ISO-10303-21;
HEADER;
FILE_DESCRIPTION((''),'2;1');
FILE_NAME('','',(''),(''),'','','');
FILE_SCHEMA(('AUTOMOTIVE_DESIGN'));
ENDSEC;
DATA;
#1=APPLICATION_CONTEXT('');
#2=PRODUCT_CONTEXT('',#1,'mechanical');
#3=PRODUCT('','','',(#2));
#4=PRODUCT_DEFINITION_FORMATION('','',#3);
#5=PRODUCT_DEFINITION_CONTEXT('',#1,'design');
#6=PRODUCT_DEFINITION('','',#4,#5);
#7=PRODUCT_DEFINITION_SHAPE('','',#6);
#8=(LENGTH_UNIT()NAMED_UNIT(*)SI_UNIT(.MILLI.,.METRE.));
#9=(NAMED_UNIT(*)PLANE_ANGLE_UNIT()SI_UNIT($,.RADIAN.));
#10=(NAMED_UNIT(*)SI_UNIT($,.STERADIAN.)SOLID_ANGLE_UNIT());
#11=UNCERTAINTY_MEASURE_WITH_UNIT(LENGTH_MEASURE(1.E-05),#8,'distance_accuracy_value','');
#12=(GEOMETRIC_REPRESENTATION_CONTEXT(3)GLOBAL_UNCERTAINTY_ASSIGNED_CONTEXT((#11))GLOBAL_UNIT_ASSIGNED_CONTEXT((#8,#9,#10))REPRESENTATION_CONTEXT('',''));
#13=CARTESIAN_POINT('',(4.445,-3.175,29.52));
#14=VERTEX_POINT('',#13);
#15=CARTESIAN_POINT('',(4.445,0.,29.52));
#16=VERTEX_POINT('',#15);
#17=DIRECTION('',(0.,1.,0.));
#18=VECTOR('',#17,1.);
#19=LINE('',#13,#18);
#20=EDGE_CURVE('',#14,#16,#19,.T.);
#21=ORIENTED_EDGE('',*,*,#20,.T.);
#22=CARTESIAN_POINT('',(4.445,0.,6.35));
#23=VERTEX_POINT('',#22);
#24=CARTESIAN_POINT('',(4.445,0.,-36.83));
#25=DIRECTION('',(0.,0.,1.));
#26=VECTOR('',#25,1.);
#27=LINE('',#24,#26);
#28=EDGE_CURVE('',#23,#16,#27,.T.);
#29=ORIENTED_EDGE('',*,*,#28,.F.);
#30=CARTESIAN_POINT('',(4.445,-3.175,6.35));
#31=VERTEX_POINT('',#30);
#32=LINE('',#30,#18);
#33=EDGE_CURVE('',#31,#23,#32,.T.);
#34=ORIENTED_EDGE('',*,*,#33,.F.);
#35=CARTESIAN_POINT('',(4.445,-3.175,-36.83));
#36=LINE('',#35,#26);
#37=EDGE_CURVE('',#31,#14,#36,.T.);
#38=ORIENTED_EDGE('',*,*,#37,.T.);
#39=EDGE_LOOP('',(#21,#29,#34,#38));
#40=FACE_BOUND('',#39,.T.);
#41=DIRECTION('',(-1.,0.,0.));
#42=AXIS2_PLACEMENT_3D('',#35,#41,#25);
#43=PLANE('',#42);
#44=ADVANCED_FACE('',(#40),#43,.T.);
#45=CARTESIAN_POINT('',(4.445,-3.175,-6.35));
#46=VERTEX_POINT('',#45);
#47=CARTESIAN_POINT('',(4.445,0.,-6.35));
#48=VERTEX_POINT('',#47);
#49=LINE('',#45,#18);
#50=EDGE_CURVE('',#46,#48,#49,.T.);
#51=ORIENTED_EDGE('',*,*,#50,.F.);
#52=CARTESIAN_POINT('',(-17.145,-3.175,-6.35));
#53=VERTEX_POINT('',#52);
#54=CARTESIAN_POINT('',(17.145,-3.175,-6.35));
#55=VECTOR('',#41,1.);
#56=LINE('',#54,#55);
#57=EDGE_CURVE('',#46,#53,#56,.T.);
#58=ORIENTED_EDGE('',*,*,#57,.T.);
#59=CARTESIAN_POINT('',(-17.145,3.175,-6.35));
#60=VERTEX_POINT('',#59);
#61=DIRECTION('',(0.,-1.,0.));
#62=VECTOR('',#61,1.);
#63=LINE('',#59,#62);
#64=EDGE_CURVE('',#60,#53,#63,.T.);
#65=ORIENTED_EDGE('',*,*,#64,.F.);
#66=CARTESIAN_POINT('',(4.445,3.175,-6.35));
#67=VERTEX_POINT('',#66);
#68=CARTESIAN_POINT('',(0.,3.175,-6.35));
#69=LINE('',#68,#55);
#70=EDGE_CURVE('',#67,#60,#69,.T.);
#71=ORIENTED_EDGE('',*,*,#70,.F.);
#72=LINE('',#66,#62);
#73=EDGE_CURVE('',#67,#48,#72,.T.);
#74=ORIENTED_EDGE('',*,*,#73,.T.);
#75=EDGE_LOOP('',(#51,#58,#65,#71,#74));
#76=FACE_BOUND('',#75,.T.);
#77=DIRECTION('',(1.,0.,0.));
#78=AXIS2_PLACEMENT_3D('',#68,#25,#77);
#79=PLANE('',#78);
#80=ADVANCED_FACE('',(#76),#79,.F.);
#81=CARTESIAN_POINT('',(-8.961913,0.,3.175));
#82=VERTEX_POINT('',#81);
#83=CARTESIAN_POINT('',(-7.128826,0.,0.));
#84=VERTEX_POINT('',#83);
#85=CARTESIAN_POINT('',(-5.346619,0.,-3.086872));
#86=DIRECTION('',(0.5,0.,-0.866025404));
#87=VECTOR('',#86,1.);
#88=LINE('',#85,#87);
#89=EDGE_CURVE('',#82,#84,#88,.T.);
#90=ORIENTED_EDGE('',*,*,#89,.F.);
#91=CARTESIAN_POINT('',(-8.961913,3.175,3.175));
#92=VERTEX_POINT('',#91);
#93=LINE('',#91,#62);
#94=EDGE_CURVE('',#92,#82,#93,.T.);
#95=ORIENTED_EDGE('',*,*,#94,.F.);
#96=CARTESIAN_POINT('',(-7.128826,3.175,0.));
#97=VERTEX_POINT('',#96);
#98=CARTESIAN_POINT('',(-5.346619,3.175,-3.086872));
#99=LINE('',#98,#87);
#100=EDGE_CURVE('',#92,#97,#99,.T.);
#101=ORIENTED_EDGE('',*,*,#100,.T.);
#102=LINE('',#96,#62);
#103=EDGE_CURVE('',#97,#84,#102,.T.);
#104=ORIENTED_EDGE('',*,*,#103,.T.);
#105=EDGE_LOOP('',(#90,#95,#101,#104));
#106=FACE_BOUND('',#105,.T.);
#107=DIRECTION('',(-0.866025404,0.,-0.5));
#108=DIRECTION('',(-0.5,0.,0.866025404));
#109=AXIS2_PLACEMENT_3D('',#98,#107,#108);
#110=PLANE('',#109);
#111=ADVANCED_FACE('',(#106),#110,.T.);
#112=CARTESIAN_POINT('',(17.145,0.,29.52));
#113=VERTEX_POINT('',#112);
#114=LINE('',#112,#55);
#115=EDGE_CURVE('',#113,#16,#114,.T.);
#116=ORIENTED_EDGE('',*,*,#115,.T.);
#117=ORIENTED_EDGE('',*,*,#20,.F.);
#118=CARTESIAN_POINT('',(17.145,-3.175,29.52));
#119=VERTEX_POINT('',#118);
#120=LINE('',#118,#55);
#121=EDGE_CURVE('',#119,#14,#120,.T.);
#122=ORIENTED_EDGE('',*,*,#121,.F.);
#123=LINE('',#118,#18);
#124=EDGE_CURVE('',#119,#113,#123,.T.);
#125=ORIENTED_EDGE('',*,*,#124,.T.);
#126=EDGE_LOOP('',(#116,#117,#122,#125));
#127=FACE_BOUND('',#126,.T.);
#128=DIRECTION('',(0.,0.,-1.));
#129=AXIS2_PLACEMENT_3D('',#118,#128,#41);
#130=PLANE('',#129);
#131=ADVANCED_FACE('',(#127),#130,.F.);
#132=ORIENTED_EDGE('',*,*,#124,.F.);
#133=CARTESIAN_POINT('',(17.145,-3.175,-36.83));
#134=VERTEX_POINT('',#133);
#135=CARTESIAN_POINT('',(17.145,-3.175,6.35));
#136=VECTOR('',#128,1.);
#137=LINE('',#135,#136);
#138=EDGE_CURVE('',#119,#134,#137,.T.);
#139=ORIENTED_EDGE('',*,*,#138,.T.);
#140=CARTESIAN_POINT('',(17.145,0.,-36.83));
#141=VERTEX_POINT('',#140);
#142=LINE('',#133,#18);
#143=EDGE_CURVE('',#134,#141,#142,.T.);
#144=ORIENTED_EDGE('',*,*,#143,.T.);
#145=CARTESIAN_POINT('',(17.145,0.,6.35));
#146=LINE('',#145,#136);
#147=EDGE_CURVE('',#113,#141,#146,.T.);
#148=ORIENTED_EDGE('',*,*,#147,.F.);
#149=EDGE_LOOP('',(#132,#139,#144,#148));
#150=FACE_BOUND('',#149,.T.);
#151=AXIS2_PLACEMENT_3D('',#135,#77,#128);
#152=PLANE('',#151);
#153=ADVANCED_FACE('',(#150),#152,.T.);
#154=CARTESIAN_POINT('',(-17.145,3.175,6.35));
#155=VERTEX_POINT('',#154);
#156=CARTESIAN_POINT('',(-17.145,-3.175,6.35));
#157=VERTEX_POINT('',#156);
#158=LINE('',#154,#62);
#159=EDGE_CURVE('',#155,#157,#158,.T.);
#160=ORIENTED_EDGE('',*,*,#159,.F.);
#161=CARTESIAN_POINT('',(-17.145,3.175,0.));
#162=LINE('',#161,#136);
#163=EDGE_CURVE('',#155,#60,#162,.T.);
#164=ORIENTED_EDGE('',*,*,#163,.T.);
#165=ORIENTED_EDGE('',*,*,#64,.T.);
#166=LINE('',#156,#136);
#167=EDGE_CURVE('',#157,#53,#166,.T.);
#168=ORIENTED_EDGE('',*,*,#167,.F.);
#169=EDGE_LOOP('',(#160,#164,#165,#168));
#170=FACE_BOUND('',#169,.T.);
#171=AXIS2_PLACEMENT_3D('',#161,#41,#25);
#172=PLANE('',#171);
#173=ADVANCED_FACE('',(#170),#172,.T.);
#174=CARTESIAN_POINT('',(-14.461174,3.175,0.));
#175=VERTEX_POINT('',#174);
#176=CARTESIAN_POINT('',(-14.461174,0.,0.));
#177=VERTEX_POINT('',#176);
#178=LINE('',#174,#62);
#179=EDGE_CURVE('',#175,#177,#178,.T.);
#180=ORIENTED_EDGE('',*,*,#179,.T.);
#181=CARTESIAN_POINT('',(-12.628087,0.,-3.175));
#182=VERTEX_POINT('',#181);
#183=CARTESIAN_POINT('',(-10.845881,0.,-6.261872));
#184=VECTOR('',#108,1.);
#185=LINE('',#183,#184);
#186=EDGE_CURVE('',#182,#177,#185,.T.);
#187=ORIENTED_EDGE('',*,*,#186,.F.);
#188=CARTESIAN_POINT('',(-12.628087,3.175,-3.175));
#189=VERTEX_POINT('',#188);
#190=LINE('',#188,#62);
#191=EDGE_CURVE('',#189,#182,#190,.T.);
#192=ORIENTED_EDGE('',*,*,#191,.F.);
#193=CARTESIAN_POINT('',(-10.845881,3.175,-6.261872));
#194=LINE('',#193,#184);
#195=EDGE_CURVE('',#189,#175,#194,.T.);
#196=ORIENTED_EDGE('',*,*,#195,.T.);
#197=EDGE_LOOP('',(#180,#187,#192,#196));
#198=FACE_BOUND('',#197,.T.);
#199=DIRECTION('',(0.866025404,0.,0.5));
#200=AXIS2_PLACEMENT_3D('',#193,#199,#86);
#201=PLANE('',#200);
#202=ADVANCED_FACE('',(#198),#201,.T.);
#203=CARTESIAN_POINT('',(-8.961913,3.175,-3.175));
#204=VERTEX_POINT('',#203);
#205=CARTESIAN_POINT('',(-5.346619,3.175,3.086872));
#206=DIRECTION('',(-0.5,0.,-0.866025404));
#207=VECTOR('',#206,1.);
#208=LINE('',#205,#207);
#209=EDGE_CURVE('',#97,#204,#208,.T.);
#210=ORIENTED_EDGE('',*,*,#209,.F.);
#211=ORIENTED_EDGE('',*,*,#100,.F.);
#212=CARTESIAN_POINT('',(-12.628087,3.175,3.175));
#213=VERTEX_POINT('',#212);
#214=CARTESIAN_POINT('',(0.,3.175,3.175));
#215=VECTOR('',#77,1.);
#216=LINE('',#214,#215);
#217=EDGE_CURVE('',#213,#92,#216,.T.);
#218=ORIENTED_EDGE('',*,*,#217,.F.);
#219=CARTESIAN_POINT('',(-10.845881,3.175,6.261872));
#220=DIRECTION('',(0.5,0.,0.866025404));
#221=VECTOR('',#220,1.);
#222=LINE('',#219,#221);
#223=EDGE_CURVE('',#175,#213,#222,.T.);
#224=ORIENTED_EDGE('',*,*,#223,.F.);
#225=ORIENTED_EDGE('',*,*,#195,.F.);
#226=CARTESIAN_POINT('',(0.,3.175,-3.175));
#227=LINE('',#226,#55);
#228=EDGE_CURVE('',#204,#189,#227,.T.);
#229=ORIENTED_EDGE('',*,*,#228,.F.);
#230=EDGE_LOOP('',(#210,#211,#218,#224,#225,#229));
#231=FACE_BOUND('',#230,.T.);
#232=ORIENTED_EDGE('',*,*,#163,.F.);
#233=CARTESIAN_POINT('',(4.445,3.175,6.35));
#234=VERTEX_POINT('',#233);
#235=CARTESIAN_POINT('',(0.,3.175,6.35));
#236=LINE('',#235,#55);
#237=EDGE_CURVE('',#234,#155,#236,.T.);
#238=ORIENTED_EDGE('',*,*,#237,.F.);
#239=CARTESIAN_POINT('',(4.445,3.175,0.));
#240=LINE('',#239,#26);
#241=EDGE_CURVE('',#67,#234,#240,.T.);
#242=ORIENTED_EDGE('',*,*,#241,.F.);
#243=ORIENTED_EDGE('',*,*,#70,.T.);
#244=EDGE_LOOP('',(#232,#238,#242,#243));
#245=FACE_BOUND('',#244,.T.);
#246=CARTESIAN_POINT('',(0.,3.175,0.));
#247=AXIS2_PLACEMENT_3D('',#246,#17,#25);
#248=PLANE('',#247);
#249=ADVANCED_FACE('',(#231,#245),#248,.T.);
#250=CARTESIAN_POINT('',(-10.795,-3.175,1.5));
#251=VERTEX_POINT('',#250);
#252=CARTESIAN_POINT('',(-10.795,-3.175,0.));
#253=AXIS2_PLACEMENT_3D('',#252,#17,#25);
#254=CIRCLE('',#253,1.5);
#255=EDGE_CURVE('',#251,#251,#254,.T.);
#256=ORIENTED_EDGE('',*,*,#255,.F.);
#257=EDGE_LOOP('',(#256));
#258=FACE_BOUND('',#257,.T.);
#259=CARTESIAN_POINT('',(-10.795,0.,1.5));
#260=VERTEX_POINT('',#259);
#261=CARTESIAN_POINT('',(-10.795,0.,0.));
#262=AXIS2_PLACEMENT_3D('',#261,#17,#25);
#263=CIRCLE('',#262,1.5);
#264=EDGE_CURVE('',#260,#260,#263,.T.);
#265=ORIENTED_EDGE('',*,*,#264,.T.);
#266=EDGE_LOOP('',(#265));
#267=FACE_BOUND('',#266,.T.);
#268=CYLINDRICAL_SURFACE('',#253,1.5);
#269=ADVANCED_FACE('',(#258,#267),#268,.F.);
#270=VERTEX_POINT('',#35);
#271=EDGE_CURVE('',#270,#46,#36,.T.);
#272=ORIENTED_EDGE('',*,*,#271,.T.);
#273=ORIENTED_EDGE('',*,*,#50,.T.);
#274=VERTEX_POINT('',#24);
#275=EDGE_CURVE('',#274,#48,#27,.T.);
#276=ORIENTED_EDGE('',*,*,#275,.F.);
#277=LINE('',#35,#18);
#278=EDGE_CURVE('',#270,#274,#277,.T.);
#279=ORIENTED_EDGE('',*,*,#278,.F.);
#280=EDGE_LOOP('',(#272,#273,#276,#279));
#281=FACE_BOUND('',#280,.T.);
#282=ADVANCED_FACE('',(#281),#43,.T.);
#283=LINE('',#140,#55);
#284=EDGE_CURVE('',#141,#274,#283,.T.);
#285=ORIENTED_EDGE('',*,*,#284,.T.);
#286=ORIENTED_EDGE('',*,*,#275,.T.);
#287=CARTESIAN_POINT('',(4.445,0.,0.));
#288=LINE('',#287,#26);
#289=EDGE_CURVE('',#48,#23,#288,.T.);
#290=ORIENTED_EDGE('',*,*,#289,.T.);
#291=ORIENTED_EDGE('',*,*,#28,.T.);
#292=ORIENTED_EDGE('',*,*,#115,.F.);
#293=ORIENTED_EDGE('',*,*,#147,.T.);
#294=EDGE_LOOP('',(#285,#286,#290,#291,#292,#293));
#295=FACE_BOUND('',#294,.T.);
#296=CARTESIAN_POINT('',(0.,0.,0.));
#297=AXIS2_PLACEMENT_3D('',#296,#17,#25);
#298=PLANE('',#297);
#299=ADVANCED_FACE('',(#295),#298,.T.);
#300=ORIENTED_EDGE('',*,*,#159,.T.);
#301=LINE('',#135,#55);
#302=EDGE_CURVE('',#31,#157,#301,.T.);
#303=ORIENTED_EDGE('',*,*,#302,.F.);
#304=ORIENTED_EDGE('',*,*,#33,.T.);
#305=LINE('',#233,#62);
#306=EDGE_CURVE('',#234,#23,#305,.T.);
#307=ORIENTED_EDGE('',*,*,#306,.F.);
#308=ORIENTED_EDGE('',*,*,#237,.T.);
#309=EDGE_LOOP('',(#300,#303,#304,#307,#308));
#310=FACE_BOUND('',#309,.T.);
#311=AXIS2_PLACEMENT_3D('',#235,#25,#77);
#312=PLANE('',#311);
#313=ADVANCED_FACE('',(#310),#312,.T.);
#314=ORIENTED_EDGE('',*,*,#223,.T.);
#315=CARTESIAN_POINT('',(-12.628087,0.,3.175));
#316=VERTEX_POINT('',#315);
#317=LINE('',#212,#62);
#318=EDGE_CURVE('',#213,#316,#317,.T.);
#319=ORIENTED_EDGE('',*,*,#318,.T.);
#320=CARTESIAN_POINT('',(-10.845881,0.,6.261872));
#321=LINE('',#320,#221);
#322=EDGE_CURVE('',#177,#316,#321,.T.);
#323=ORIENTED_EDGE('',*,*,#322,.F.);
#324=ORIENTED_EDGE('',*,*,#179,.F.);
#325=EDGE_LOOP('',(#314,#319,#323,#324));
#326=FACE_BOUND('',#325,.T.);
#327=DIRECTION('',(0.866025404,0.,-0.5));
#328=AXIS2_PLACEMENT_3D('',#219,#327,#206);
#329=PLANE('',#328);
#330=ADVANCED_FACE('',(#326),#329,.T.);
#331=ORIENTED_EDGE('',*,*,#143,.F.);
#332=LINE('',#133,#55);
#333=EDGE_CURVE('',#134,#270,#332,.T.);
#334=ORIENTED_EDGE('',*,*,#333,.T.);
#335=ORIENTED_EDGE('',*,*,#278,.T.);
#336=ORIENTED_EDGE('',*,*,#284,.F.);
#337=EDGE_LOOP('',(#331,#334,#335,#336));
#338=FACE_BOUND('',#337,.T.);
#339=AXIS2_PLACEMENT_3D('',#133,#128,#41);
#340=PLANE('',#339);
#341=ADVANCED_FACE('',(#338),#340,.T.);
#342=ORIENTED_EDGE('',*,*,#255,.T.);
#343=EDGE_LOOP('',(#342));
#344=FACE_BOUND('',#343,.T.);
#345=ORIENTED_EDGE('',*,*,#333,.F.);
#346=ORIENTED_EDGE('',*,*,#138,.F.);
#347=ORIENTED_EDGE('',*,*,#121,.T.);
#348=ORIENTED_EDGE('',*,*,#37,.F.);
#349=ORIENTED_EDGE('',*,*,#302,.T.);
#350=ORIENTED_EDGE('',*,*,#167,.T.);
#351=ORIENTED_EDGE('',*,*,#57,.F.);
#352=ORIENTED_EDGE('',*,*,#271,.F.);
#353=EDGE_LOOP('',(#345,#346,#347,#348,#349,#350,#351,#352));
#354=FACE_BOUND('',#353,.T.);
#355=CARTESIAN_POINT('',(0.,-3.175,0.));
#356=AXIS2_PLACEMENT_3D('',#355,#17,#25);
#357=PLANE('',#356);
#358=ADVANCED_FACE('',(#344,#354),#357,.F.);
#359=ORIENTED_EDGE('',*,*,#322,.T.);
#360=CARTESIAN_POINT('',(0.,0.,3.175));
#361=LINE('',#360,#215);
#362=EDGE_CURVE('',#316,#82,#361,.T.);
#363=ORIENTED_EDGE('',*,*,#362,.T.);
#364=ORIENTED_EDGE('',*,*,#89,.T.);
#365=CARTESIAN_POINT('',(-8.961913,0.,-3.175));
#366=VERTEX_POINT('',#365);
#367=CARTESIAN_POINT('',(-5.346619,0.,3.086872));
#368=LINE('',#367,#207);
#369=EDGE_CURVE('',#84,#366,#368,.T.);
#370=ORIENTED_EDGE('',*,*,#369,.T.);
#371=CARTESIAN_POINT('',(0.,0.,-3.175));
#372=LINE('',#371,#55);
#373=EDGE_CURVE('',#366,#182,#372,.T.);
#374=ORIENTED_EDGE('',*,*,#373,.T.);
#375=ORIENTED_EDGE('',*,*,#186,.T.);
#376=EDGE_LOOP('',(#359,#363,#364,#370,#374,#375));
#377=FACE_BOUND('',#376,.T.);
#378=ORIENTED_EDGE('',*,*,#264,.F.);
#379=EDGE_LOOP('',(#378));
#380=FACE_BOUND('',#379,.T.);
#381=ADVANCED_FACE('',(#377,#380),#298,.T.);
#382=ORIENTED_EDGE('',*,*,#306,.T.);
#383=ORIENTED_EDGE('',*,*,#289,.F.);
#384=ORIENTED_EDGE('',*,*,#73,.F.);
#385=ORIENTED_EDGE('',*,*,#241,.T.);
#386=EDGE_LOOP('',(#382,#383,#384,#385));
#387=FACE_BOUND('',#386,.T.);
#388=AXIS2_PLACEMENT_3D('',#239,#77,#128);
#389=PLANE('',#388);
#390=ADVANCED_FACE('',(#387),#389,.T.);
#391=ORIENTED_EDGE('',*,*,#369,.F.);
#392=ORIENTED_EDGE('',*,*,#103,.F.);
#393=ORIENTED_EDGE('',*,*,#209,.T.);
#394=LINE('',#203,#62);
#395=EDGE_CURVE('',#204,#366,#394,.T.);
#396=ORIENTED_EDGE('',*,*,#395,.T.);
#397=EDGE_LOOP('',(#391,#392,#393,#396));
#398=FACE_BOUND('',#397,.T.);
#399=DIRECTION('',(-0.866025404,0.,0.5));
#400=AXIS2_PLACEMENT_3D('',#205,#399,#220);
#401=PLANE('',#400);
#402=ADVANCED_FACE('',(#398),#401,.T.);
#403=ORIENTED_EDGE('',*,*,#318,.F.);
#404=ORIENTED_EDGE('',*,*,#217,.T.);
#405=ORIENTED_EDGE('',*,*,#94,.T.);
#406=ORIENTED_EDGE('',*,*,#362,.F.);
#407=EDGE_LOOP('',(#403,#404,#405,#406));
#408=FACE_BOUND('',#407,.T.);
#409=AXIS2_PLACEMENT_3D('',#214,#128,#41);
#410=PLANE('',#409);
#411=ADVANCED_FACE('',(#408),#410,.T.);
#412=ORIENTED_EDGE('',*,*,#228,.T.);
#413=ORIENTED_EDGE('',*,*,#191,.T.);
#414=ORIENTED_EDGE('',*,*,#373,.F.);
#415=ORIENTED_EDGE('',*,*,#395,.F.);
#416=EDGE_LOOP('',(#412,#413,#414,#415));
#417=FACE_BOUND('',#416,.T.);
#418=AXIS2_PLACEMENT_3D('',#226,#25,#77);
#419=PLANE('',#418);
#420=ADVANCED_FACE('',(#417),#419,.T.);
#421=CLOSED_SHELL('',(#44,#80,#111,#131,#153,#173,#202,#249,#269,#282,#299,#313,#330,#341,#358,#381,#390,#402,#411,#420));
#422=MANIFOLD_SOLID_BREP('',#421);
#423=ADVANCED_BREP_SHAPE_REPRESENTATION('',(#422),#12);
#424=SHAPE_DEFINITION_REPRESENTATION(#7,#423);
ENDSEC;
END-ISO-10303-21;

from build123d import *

# Parameters (mm, degrees)
SKETCH1_W           = 21.59
SKETCH1_H           = 12.7
BOSS_EXTRUDE3_DEPTH = 3.175
SKETCH1_5_R         = 1.5
BOSS_EXTRUDE4_DEPTH = 3.175


with BuildPart() as part:
    # Sketch1 → Boss-Extrude3 (new body)
    with BuildSketch(Plane(origin=(0, 0, 0), x_dir=(1, 0, 0), z_dir=(0, 1, 0))):
        with Locations((-6.35, 0)):
            Rectangle(SKETCH1_W, SKETCH1_H)
        Polygon((-7.128825791, 0), (-8.961912895, -3.175), (-12.628087105, -3.175), (-14.461174209, 0), (-12.628087105, 3.175), (-8.961912895, 3.175), align=None, mode=Mode.SUBTRACT)
    extrude(amount=BOSS_EXTRUDE3_DEPTH)

    # Sketch1<5> → Boss-Extrude4 (add)
    with BuildSketch(Plane(origin=(0, 0, 0), x_dir=(1, 0, 0), z_dir=(0, 1, 0))):
        Polygon((17.145, -29.52), (17.145, 36.83), (4.445, 36.83), (4.445, 6.35), (-17.145, 6.35), (-17.145, -6.35), (4.445, -6.35), (4.445, -29.52), align=None)
        with Locations((-10.795, 0)):
            Circle(SKETCH1_5_R, mode=Mode.SUBTRACT)
    extrude(amount=-BOSS_EXTRUDE4_DEPTH)


solid = part.part
